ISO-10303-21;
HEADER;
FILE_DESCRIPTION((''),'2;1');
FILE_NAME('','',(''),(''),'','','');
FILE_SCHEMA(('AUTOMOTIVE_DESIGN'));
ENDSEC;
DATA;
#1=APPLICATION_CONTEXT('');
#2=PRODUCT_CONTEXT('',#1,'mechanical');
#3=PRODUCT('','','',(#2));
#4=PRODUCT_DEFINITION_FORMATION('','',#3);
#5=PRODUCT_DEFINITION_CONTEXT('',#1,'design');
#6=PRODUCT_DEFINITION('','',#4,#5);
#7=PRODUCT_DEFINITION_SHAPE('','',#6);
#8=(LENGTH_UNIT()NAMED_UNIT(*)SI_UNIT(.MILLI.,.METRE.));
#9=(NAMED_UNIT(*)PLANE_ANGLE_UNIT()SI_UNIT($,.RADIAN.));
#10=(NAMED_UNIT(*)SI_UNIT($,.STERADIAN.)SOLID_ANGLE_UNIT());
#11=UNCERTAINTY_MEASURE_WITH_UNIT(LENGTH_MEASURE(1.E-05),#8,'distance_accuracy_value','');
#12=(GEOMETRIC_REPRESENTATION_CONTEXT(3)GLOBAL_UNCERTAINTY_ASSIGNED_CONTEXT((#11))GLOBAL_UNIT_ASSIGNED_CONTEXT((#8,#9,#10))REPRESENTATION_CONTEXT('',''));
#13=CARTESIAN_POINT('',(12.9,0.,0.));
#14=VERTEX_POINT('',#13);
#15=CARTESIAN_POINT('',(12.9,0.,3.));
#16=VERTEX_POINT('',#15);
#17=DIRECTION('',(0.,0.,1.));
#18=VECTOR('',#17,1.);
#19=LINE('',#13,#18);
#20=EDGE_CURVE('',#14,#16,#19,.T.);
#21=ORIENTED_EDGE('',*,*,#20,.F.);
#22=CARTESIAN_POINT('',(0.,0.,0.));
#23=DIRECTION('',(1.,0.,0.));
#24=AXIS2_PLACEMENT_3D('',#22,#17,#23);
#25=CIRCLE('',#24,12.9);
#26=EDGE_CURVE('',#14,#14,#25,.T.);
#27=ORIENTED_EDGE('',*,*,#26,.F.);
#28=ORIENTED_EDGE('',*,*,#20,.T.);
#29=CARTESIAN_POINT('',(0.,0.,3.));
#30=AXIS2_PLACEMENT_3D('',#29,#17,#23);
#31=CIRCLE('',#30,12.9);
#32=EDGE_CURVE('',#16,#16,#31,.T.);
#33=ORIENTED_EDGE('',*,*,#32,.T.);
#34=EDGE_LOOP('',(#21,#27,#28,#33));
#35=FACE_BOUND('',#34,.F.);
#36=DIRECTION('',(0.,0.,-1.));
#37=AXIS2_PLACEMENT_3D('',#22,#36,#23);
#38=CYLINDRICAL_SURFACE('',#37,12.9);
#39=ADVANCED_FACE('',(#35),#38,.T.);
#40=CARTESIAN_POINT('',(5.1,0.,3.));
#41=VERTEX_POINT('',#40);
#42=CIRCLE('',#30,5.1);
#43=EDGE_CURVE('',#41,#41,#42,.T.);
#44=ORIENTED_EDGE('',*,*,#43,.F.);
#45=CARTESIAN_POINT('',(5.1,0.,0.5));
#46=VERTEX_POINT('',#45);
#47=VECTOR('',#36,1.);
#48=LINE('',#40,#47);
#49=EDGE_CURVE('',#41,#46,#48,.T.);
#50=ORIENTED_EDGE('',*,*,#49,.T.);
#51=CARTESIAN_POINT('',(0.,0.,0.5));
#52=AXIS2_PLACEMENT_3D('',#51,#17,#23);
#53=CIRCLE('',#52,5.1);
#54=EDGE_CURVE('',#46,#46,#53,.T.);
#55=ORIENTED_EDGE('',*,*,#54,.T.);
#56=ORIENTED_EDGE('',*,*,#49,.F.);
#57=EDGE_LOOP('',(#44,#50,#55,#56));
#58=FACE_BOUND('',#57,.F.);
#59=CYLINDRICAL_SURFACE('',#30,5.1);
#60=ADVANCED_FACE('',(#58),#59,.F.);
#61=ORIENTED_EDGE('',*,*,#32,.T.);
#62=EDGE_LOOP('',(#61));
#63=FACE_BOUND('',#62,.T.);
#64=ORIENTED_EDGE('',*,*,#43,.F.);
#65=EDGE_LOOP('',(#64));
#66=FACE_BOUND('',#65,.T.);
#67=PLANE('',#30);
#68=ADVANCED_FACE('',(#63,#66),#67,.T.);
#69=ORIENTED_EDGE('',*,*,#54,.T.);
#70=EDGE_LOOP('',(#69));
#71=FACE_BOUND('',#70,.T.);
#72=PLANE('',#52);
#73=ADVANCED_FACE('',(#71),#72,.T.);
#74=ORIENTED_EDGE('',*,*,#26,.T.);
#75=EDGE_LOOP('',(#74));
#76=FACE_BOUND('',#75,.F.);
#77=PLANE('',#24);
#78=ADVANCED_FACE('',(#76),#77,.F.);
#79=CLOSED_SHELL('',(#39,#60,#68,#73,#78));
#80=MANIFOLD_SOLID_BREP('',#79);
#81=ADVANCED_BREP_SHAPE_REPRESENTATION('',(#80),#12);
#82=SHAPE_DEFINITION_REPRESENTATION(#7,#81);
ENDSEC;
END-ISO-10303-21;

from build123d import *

# Parameters (mm, degrees)
SKETCH_R     = 12.9
PAD_DEPTH    = 3
SKETCH001_R  = 5.1
POCKET_DEPTH = 2.5


with BuildPart() as part:
    # Sketch → Pad (new body)
    with BuildSketch(Plane.XY):
        Circle(SKETCH_R)
    extrude(amount=PAD_DEPTH)

    # Sketch001 (on Face3 of Pad) → Pocket (cut)
    with BuildSketch(Plane.XY.offset(3)):
        Circle(SKETCH001_R)
    extrude(amount=-POCKET_DEPTH, mode=Mode.SUBTRACT)


solid = part.part
